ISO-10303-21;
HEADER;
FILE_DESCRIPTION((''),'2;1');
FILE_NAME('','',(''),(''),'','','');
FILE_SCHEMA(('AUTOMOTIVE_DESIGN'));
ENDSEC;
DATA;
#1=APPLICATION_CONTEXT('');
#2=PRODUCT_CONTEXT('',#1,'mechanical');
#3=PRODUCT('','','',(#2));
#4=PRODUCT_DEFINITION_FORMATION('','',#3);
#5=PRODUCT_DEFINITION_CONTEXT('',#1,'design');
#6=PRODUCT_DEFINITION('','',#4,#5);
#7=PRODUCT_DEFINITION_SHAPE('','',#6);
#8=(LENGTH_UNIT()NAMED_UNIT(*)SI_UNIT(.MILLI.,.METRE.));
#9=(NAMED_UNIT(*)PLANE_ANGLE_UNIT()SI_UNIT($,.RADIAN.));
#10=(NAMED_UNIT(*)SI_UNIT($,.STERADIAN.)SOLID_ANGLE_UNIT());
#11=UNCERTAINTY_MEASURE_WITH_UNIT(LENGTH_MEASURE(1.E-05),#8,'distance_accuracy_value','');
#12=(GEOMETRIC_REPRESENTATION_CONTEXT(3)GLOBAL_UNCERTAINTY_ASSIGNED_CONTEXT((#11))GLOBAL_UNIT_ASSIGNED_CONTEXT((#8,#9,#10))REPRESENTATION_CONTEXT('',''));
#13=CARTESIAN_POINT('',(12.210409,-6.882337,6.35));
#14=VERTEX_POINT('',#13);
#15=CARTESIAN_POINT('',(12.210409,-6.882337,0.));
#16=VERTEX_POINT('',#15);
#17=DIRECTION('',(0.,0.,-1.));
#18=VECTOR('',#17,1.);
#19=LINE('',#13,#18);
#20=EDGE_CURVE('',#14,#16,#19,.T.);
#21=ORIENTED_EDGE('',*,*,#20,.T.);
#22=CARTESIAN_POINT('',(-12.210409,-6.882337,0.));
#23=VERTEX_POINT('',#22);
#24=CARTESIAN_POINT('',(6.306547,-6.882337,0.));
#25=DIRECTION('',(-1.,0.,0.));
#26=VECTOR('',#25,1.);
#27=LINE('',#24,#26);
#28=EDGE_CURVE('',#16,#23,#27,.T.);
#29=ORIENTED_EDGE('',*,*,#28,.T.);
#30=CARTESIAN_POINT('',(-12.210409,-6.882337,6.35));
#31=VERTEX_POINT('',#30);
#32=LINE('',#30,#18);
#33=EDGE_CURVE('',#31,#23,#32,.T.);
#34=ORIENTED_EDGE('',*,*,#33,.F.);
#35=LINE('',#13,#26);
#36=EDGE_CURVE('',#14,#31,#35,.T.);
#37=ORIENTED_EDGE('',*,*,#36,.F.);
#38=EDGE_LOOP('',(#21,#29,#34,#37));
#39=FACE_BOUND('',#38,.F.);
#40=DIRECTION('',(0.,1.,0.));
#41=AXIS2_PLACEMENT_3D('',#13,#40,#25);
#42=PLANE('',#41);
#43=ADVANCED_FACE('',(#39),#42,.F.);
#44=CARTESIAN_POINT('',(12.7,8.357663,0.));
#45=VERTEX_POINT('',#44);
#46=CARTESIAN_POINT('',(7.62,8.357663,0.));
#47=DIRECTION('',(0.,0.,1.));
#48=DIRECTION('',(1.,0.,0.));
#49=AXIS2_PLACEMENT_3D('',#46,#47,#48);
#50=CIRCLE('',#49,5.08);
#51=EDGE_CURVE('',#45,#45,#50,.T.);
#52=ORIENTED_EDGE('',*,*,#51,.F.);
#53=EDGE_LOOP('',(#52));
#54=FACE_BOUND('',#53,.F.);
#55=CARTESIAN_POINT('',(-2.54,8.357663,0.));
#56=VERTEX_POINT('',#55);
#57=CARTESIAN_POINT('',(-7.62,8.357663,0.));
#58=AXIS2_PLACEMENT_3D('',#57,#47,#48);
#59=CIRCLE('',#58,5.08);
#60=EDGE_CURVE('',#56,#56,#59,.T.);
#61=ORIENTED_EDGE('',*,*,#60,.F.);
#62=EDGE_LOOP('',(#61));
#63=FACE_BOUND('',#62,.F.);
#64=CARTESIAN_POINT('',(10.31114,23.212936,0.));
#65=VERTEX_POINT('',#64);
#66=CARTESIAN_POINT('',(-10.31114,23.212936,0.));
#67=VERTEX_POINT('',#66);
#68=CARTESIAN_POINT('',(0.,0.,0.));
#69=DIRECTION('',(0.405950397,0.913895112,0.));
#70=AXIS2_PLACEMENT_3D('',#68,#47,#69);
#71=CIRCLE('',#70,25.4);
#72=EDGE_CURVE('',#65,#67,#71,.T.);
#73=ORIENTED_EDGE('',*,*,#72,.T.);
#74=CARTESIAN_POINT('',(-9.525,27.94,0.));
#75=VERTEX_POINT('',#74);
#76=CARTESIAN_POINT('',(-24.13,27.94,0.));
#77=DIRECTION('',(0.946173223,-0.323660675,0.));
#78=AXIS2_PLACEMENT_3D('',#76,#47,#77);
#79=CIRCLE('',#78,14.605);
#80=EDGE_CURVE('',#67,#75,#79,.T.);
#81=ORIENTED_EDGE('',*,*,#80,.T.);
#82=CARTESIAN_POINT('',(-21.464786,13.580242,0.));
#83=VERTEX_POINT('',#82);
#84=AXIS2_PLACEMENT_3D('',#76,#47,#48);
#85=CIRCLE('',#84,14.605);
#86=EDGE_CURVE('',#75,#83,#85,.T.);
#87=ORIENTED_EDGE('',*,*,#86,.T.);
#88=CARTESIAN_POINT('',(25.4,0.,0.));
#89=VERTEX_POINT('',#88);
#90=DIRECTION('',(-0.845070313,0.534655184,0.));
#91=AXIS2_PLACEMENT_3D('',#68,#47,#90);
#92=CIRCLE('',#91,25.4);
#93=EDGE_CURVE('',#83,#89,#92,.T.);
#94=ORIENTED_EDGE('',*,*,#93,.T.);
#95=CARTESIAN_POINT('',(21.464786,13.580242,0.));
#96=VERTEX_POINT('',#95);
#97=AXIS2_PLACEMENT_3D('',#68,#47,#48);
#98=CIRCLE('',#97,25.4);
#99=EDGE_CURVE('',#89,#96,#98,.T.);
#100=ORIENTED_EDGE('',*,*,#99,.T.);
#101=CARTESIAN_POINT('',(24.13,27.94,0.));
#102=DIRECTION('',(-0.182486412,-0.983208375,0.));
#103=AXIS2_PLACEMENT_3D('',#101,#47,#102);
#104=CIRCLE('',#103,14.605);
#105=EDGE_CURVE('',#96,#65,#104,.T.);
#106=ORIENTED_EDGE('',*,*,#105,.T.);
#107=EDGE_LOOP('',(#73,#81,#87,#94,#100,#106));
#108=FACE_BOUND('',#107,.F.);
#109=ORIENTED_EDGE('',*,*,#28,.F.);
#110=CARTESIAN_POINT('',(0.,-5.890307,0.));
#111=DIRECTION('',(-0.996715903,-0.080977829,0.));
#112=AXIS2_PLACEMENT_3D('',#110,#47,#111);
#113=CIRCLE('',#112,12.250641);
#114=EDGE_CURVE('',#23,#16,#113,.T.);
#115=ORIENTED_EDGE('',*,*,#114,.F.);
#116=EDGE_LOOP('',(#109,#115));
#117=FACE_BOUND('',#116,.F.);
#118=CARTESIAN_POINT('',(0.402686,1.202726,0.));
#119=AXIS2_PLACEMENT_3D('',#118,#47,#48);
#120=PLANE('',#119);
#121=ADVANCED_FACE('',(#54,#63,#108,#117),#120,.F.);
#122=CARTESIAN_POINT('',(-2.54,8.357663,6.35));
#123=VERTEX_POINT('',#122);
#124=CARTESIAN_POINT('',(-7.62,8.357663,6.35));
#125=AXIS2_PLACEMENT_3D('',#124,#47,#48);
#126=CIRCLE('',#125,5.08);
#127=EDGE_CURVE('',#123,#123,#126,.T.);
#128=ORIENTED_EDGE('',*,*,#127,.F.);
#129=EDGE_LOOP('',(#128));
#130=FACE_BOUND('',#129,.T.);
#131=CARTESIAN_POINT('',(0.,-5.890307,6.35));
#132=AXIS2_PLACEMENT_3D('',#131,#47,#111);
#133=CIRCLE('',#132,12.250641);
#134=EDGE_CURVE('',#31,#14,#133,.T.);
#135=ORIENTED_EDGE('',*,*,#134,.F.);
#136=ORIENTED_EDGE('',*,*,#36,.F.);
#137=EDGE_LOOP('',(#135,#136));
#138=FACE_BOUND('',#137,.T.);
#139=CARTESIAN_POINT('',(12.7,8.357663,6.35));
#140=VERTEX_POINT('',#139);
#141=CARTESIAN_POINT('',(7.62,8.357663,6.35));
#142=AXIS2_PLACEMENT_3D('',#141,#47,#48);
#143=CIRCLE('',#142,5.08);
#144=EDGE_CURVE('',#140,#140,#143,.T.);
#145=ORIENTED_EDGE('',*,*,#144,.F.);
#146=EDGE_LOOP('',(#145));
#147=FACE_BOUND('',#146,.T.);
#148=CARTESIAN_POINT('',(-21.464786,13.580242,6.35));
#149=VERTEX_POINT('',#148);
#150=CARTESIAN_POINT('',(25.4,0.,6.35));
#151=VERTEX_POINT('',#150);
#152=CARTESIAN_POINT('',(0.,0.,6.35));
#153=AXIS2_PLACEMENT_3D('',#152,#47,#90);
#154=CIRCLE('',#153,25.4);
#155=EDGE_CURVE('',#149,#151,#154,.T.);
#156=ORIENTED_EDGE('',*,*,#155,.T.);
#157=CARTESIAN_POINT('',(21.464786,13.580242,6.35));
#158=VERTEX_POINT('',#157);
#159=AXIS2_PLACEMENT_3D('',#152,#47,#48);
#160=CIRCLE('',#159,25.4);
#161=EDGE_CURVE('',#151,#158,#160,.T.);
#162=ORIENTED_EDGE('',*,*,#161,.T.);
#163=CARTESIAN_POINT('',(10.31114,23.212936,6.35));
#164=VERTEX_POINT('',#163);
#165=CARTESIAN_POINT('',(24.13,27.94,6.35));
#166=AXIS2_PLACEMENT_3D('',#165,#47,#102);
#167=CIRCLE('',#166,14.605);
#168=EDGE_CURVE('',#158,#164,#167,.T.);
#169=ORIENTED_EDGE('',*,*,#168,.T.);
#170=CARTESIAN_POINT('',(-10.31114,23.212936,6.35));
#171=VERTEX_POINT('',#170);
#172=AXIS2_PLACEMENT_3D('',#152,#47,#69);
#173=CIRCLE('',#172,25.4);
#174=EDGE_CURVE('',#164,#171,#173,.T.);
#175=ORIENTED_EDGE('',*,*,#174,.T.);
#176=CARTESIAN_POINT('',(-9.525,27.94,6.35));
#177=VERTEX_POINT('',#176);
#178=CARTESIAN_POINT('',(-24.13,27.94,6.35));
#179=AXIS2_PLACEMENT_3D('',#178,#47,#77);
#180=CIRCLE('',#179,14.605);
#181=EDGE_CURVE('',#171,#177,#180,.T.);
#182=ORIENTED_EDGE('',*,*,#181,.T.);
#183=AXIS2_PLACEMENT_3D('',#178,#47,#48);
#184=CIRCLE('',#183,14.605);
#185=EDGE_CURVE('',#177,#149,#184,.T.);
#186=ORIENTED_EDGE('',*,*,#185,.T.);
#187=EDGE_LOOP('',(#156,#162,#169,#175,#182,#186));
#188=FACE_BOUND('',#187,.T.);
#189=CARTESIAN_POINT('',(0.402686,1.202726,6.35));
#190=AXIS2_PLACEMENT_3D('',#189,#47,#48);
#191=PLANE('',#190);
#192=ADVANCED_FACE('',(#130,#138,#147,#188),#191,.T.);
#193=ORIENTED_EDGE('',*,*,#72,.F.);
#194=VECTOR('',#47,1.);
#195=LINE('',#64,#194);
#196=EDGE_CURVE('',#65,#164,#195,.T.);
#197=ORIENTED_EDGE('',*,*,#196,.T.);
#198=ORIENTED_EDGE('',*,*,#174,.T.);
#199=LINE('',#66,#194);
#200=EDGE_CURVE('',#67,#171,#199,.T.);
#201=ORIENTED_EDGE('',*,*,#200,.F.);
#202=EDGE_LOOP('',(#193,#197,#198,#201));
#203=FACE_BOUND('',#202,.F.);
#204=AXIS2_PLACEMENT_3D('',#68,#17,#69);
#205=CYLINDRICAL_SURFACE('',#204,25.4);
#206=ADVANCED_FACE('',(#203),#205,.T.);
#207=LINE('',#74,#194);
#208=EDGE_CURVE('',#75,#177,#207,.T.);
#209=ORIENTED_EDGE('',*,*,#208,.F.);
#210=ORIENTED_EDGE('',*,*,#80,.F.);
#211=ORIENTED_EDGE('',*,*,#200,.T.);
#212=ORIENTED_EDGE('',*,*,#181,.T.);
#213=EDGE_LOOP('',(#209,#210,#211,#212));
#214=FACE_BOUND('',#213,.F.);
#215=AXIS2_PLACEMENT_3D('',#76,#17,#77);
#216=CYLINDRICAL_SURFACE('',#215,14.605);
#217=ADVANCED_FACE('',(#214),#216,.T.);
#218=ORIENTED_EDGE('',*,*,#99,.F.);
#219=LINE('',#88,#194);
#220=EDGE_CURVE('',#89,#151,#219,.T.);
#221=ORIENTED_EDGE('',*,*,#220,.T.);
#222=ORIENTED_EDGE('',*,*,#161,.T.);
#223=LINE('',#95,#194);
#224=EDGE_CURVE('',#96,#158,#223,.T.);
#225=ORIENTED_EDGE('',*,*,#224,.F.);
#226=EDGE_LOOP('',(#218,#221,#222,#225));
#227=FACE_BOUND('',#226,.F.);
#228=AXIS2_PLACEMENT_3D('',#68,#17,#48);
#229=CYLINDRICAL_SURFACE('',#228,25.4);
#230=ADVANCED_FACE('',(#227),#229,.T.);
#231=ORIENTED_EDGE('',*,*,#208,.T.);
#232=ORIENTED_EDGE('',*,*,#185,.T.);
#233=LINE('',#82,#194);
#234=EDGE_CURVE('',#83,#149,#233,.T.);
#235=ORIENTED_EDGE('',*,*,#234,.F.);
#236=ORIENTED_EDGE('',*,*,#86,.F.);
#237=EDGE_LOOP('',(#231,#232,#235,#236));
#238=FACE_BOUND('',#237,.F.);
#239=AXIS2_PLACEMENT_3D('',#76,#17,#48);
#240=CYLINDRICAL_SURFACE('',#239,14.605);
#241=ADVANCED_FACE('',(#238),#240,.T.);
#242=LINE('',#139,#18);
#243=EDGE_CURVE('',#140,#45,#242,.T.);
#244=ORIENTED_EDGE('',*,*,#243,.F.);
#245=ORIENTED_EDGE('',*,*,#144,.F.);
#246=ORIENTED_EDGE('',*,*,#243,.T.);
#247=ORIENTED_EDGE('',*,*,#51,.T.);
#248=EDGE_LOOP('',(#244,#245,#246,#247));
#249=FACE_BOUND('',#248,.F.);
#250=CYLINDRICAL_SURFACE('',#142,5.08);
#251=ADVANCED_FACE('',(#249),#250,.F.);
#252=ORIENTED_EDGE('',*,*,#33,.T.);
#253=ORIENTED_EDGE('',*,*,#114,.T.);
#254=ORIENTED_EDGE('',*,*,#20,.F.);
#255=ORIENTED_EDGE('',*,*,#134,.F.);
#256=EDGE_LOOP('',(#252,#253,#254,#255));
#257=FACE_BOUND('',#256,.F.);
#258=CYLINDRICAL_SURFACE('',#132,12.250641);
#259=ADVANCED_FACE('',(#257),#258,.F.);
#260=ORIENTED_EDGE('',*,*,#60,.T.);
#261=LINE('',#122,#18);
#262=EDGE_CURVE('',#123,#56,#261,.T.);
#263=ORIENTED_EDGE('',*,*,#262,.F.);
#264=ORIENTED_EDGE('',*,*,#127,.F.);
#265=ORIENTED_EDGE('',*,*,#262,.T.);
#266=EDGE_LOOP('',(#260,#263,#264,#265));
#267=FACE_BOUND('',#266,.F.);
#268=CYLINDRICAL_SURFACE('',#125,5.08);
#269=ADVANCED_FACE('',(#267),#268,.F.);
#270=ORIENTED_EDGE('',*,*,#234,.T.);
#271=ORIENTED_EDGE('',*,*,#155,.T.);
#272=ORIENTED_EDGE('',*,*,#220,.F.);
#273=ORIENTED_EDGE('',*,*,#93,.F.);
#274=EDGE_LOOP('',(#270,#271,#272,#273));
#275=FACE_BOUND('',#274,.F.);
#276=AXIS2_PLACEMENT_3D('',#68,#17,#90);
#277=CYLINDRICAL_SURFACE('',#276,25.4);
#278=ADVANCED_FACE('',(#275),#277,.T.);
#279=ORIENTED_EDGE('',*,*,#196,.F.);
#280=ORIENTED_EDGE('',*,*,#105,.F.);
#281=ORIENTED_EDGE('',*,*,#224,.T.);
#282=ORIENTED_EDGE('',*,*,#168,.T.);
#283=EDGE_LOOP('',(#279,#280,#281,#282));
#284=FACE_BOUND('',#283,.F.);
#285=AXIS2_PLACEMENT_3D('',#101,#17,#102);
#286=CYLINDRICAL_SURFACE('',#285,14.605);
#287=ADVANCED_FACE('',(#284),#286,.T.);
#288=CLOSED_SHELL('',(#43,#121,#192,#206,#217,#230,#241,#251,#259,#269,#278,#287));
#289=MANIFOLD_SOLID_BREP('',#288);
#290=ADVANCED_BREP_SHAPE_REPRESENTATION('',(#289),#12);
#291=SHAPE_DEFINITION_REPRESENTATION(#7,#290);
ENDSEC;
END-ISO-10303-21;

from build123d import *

# Parameters (mm, degrees)
F1_DEPTH = 6.35
F4_DEPTH = 25.4
F5_R     = 5.08
F6_DEPTH = 25.4


with BuildPart() as f1:
    # F0 (on Top) → F1 (new body)
    with BuildSketch(Plane.XY):
        with BuildLine():
            ThreePointArc((-21.4647859524, 13.5802416775), (-7.0694567263, -24.396368205), (25.4, 0))
            ThreePointArc((25.4, 0), (24.396368205, 7.0694567263), (21.4647859524, 13.5802416775))
            ThreePointArc((21.4647859524, 13.5802416775), (14.5838817936, 16.8865999715), (10.3111400831, 23.2129358373))
            ThreePointArc((10.3111400831, 23.2129358373), (0, 25.4), (-10.3111400831, 23.2129358373))
            ThreePointArc((-10.3111400831, 23.2129358373), (-14.5838817936, 16.8865999715), (-21.4647859524, 13.5802416775))
        make_face()
        with BuildLine():
            ThreePointArc((-9.525, 27.94), (-35.360126361, 37.277573931), (-21.4647859524, 13.5802416775))
            ThreePointArc((-21.4647859524, 13.5802416775), (-16.6019447068, 19.2233043973), (-10.3111400831, 23.2129358373))
            ThreePointArc((-10.3111400831, 23.2129358373), (-9.7228754763, 25.544005852), (-9.525, 27.94))
        make_face()
        with BuildLine():
            ThreePointArc((-10.3111400831, 23.2129358373), (-16.6019447068, 19.2233043973), (-21.4647859524, 13.5802416775))
            ThreePointArc((-21.4647859524, 13.5802416775), (-14.5838817936, 16.8865999715), (-10.3111400831, 23.2129358373))
        make_face()
        with BuildLine():
            ThreePointArc((10.3111400831, 23.2129358373), (14.5838817936, 16.8865999715), (21.4647859524, 13.5802416775))
            ThreePointArc((21.4647859524, 13.5802416775), (16.6019447068, 19.2233043973), (10.3111400831, 23.2129358373))
        make_face()
        with BuildLine():
            ThreePointArc((10.3111400831, 23.2129358373), (16.6019447068, 19.2233043973), (21.4647859524, 13.5802416775))
            ThreePointArc((21.4647859524, 13.5802416775), (33.467573931, 16.709873639), (38.735, 27.94))
            ThreePointArc((38.735, 27.94), (21.734005852, 42.3471245237), (10.3111400831, 23.2129358373))
        make_face()
    extrude(amount=F1_DEPTH)

    # F3 (on face) → F4 (cut)
    with BuildSketch(Plane.XY.offset(6.35)):
        with BuildLine():
            Line((12.2104091206, -6.8823373568), (-12.2104091206, -6.8823373568))
            ThreePointArc((-12.2104091206, -6.8823373568), (0, -18.1409484321), (12.2104091206, -6.8823373568))
        make_face()
    extrude(amount=-F4_DEPTH, mode=Mode.SUBTRACT)

    # F5 (on face) → F6 (cut)
    with BuildSketch(Plane.XY.offset(6.35)):
        with Locations((-7.62, 8.3576626432)):
            Circle(F5_R)
        with Locations((7.62, 8.3576626432)):
            Circle(F5_R)
    extrude(amount=-F6_DEPTH, mode=Mode.SUBTRACT)


solid = f1.part
